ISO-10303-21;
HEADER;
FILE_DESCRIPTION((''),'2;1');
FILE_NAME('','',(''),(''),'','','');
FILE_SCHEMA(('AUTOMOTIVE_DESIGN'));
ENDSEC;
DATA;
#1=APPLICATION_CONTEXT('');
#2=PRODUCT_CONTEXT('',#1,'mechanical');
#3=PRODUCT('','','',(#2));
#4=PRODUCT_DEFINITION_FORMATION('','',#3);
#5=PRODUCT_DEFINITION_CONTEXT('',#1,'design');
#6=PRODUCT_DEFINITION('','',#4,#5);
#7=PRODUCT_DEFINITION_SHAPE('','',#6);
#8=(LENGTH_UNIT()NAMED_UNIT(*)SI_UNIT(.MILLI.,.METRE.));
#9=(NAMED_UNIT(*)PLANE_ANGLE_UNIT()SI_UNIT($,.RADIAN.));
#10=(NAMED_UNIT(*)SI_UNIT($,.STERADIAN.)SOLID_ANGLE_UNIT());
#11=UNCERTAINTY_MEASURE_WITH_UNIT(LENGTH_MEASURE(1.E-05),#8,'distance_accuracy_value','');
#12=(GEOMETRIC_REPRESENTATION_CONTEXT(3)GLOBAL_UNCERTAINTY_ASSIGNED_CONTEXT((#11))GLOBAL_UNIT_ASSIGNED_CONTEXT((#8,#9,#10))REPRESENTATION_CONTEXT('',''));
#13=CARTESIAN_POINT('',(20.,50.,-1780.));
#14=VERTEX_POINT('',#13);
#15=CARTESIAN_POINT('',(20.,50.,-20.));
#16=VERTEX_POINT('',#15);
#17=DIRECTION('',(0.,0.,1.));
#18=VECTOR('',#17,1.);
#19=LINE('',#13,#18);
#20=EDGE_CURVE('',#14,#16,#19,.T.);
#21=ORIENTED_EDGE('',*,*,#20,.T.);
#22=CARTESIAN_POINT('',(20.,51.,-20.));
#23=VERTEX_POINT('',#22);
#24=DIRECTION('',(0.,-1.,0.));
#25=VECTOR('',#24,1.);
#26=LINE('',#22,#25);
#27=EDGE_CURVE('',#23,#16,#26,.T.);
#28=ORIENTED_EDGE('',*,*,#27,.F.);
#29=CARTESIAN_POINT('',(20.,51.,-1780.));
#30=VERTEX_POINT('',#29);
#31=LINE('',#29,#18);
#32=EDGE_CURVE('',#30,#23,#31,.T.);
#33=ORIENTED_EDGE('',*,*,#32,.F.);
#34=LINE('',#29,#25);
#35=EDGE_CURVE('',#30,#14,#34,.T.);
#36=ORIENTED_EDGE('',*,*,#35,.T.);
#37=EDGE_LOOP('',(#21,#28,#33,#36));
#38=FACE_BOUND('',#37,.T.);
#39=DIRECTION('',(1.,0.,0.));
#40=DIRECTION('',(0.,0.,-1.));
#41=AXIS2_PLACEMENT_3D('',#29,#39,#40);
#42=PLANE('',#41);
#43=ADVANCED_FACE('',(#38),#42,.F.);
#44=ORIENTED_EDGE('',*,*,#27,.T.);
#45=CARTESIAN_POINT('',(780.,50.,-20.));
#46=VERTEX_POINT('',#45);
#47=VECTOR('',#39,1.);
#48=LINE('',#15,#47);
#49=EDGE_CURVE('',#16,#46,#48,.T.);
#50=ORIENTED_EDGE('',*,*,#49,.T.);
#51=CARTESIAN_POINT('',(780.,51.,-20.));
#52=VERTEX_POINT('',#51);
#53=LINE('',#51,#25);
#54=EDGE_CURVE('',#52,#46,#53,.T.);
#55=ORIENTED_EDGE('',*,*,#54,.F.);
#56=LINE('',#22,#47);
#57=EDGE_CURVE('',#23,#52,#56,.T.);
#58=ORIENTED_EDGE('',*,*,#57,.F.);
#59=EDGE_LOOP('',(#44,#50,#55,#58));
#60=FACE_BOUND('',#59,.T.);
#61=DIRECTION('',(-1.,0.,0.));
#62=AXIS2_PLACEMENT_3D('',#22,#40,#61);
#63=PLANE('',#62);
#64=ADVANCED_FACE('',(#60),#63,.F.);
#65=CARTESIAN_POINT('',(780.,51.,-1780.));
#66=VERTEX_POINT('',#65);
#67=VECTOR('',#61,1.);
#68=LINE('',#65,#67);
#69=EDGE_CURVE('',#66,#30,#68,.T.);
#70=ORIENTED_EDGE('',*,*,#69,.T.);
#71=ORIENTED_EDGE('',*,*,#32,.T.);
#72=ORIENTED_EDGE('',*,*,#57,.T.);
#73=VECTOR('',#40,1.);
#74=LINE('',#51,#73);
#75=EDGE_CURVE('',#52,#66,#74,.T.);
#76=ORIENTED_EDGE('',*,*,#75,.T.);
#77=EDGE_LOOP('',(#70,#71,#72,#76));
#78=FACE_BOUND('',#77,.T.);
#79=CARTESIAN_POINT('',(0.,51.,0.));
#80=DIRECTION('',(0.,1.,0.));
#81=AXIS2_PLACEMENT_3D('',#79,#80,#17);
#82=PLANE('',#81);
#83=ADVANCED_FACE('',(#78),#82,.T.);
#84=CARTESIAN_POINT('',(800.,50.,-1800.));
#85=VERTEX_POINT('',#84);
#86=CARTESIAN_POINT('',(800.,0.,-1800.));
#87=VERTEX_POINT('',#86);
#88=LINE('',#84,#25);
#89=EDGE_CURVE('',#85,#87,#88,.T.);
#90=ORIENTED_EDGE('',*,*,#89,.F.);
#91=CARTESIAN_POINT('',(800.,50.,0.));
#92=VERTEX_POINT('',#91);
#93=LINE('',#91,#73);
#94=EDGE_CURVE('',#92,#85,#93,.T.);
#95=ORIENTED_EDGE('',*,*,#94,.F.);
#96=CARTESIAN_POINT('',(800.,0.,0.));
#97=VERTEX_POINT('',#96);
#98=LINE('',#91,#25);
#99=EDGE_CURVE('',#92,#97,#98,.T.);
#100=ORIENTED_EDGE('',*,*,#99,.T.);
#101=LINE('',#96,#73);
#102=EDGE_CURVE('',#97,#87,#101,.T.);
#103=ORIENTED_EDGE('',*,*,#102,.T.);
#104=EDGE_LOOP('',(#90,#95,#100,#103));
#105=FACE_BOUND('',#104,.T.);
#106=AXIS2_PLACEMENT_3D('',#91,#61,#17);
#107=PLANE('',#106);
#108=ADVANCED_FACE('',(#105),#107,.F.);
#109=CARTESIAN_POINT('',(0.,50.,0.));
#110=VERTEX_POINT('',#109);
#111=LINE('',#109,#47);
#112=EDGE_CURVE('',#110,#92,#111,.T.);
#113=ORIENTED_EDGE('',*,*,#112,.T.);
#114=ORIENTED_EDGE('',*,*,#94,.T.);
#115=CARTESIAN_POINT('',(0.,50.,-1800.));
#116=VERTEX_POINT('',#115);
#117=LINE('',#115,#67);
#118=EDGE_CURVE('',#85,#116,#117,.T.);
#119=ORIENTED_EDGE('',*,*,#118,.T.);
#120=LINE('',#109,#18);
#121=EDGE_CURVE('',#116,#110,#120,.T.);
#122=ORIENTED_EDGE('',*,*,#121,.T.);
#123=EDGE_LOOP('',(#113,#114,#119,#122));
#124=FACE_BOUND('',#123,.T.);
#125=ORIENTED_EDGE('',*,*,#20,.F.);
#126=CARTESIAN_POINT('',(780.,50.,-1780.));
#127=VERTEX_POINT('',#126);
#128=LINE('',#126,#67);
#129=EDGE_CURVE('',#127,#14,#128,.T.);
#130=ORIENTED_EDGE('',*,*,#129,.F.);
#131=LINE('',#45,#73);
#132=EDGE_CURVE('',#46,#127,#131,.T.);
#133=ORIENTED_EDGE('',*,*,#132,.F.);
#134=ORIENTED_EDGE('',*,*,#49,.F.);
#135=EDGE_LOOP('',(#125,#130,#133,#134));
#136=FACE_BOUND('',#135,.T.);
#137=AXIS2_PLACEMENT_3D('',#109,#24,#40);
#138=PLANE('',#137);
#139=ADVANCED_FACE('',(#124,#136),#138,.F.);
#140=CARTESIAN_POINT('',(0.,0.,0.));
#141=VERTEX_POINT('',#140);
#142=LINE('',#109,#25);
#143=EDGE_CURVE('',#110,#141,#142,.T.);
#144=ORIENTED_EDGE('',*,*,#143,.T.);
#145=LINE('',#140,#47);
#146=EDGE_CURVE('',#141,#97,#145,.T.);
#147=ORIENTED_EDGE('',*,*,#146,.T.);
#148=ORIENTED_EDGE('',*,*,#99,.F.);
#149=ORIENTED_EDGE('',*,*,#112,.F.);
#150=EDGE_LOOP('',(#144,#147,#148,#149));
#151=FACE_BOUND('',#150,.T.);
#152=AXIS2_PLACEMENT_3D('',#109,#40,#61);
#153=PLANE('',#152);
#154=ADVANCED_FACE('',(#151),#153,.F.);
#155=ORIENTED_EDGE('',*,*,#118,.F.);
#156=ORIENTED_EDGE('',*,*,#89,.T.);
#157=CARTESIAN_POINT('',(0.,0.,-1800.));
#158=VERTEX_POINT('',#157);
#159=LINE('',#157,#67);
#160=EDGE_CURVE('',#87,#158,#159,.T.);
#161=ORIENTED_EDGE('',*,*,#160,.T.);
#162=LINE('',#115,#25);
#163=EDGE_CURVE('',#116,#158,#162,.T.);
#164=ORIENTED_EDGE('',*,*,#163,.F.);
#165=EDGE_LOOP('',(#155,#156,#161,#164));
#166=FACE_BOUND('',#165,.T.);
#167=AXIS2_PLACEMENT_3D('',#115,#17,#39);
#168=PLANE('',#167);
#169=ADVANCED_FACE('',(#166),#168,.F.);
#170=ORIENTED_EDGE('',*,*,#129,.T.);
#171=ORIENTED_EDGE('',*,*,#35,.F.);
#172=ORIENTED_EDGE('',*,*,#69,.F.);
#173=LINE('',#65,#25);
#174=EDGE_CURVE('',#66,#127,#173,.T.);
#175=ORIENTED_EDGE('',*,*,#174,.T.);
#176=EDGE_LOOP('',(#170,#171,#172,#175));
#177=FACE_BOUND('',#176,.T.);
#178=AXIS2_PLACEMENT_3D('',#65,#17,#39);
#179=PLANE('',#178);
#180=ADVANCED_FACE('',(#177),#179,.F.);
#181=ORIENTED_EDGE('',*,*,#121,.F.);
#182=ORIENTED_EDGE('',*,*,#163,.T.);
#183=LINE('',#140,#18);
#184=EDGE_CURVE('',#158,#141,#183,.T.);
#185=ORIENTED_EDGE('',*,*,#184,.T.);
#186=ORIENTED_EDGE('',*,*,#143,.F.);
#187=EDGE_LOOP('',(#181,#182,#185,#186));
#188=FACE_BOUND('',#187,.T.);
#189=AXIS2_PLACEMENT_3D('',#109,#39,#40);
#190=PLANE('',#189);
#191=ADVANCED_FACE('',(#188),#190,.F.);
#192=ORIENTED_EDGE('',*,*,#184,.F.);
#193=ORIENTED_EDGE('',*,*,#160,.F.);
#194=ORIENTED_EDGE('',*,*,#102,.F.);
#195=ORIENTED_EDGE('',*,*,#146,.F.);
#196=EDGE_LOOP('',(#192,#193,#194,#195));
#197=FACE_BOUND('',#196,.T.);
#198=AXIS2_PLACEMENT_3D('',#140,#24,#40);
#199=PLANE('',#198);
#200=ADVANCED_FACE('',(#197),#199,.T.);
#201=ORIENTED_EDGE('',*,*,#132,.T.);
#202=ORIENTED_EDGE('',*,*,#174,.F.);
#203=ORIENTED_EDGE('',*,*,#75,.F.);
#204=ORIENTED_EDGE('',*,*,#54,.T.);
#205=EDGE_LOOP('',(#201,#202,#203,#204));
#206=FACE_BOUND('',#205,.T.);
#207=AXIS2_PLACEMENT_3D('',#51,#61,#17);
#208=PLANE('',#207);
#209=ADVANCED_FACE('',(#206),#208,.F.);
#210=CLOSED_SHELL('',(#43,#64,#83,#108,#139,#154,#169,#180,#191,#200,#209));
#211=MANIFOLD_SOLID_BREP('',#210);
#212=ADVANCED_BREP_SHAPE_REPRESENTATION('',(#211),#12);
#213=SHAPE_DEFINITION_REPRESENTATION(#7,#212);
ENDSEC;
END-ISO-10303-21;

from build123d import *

# Parameters (mm, degrees)
SKETCH1_W           = 800
SKETCH1_H           = 1800
BOSS_EXTRUDE1_DEPTH = 50
SKETCH5_W           = 760
SKETCH5_H           = 1760
BOSS_EXTRUDE2_DEPTH = 1


with BuildPart() as part:
    # Sketch1 → Boss-Extrude1 (new body)
    with BuildSketch(Plane(origin=(0, 0, 0), x_dir=(1, 0, 0), z_dir=(0, 1, 0))):
        with Locations((400, 900)):
            Rectangle(SKETCH1_W, SKETCH1_H)
    extrude(amount=BOSS_EXTRUDE1_DEPTH)

    # Sketch5 → Boss-Extrude2 (add)
    with BuildSketch(Plane(origin=(0, 50, 0), x_dir=(1, 0, 0), z_dir=(0, 1, 0))):
        with Locations((400, 900)):
            Rectangle(SKETCH5_W, SKETCH5_H)
    extrude(amount=BOSS_EXTRUDE2_DEPTH)


solid = part.part
